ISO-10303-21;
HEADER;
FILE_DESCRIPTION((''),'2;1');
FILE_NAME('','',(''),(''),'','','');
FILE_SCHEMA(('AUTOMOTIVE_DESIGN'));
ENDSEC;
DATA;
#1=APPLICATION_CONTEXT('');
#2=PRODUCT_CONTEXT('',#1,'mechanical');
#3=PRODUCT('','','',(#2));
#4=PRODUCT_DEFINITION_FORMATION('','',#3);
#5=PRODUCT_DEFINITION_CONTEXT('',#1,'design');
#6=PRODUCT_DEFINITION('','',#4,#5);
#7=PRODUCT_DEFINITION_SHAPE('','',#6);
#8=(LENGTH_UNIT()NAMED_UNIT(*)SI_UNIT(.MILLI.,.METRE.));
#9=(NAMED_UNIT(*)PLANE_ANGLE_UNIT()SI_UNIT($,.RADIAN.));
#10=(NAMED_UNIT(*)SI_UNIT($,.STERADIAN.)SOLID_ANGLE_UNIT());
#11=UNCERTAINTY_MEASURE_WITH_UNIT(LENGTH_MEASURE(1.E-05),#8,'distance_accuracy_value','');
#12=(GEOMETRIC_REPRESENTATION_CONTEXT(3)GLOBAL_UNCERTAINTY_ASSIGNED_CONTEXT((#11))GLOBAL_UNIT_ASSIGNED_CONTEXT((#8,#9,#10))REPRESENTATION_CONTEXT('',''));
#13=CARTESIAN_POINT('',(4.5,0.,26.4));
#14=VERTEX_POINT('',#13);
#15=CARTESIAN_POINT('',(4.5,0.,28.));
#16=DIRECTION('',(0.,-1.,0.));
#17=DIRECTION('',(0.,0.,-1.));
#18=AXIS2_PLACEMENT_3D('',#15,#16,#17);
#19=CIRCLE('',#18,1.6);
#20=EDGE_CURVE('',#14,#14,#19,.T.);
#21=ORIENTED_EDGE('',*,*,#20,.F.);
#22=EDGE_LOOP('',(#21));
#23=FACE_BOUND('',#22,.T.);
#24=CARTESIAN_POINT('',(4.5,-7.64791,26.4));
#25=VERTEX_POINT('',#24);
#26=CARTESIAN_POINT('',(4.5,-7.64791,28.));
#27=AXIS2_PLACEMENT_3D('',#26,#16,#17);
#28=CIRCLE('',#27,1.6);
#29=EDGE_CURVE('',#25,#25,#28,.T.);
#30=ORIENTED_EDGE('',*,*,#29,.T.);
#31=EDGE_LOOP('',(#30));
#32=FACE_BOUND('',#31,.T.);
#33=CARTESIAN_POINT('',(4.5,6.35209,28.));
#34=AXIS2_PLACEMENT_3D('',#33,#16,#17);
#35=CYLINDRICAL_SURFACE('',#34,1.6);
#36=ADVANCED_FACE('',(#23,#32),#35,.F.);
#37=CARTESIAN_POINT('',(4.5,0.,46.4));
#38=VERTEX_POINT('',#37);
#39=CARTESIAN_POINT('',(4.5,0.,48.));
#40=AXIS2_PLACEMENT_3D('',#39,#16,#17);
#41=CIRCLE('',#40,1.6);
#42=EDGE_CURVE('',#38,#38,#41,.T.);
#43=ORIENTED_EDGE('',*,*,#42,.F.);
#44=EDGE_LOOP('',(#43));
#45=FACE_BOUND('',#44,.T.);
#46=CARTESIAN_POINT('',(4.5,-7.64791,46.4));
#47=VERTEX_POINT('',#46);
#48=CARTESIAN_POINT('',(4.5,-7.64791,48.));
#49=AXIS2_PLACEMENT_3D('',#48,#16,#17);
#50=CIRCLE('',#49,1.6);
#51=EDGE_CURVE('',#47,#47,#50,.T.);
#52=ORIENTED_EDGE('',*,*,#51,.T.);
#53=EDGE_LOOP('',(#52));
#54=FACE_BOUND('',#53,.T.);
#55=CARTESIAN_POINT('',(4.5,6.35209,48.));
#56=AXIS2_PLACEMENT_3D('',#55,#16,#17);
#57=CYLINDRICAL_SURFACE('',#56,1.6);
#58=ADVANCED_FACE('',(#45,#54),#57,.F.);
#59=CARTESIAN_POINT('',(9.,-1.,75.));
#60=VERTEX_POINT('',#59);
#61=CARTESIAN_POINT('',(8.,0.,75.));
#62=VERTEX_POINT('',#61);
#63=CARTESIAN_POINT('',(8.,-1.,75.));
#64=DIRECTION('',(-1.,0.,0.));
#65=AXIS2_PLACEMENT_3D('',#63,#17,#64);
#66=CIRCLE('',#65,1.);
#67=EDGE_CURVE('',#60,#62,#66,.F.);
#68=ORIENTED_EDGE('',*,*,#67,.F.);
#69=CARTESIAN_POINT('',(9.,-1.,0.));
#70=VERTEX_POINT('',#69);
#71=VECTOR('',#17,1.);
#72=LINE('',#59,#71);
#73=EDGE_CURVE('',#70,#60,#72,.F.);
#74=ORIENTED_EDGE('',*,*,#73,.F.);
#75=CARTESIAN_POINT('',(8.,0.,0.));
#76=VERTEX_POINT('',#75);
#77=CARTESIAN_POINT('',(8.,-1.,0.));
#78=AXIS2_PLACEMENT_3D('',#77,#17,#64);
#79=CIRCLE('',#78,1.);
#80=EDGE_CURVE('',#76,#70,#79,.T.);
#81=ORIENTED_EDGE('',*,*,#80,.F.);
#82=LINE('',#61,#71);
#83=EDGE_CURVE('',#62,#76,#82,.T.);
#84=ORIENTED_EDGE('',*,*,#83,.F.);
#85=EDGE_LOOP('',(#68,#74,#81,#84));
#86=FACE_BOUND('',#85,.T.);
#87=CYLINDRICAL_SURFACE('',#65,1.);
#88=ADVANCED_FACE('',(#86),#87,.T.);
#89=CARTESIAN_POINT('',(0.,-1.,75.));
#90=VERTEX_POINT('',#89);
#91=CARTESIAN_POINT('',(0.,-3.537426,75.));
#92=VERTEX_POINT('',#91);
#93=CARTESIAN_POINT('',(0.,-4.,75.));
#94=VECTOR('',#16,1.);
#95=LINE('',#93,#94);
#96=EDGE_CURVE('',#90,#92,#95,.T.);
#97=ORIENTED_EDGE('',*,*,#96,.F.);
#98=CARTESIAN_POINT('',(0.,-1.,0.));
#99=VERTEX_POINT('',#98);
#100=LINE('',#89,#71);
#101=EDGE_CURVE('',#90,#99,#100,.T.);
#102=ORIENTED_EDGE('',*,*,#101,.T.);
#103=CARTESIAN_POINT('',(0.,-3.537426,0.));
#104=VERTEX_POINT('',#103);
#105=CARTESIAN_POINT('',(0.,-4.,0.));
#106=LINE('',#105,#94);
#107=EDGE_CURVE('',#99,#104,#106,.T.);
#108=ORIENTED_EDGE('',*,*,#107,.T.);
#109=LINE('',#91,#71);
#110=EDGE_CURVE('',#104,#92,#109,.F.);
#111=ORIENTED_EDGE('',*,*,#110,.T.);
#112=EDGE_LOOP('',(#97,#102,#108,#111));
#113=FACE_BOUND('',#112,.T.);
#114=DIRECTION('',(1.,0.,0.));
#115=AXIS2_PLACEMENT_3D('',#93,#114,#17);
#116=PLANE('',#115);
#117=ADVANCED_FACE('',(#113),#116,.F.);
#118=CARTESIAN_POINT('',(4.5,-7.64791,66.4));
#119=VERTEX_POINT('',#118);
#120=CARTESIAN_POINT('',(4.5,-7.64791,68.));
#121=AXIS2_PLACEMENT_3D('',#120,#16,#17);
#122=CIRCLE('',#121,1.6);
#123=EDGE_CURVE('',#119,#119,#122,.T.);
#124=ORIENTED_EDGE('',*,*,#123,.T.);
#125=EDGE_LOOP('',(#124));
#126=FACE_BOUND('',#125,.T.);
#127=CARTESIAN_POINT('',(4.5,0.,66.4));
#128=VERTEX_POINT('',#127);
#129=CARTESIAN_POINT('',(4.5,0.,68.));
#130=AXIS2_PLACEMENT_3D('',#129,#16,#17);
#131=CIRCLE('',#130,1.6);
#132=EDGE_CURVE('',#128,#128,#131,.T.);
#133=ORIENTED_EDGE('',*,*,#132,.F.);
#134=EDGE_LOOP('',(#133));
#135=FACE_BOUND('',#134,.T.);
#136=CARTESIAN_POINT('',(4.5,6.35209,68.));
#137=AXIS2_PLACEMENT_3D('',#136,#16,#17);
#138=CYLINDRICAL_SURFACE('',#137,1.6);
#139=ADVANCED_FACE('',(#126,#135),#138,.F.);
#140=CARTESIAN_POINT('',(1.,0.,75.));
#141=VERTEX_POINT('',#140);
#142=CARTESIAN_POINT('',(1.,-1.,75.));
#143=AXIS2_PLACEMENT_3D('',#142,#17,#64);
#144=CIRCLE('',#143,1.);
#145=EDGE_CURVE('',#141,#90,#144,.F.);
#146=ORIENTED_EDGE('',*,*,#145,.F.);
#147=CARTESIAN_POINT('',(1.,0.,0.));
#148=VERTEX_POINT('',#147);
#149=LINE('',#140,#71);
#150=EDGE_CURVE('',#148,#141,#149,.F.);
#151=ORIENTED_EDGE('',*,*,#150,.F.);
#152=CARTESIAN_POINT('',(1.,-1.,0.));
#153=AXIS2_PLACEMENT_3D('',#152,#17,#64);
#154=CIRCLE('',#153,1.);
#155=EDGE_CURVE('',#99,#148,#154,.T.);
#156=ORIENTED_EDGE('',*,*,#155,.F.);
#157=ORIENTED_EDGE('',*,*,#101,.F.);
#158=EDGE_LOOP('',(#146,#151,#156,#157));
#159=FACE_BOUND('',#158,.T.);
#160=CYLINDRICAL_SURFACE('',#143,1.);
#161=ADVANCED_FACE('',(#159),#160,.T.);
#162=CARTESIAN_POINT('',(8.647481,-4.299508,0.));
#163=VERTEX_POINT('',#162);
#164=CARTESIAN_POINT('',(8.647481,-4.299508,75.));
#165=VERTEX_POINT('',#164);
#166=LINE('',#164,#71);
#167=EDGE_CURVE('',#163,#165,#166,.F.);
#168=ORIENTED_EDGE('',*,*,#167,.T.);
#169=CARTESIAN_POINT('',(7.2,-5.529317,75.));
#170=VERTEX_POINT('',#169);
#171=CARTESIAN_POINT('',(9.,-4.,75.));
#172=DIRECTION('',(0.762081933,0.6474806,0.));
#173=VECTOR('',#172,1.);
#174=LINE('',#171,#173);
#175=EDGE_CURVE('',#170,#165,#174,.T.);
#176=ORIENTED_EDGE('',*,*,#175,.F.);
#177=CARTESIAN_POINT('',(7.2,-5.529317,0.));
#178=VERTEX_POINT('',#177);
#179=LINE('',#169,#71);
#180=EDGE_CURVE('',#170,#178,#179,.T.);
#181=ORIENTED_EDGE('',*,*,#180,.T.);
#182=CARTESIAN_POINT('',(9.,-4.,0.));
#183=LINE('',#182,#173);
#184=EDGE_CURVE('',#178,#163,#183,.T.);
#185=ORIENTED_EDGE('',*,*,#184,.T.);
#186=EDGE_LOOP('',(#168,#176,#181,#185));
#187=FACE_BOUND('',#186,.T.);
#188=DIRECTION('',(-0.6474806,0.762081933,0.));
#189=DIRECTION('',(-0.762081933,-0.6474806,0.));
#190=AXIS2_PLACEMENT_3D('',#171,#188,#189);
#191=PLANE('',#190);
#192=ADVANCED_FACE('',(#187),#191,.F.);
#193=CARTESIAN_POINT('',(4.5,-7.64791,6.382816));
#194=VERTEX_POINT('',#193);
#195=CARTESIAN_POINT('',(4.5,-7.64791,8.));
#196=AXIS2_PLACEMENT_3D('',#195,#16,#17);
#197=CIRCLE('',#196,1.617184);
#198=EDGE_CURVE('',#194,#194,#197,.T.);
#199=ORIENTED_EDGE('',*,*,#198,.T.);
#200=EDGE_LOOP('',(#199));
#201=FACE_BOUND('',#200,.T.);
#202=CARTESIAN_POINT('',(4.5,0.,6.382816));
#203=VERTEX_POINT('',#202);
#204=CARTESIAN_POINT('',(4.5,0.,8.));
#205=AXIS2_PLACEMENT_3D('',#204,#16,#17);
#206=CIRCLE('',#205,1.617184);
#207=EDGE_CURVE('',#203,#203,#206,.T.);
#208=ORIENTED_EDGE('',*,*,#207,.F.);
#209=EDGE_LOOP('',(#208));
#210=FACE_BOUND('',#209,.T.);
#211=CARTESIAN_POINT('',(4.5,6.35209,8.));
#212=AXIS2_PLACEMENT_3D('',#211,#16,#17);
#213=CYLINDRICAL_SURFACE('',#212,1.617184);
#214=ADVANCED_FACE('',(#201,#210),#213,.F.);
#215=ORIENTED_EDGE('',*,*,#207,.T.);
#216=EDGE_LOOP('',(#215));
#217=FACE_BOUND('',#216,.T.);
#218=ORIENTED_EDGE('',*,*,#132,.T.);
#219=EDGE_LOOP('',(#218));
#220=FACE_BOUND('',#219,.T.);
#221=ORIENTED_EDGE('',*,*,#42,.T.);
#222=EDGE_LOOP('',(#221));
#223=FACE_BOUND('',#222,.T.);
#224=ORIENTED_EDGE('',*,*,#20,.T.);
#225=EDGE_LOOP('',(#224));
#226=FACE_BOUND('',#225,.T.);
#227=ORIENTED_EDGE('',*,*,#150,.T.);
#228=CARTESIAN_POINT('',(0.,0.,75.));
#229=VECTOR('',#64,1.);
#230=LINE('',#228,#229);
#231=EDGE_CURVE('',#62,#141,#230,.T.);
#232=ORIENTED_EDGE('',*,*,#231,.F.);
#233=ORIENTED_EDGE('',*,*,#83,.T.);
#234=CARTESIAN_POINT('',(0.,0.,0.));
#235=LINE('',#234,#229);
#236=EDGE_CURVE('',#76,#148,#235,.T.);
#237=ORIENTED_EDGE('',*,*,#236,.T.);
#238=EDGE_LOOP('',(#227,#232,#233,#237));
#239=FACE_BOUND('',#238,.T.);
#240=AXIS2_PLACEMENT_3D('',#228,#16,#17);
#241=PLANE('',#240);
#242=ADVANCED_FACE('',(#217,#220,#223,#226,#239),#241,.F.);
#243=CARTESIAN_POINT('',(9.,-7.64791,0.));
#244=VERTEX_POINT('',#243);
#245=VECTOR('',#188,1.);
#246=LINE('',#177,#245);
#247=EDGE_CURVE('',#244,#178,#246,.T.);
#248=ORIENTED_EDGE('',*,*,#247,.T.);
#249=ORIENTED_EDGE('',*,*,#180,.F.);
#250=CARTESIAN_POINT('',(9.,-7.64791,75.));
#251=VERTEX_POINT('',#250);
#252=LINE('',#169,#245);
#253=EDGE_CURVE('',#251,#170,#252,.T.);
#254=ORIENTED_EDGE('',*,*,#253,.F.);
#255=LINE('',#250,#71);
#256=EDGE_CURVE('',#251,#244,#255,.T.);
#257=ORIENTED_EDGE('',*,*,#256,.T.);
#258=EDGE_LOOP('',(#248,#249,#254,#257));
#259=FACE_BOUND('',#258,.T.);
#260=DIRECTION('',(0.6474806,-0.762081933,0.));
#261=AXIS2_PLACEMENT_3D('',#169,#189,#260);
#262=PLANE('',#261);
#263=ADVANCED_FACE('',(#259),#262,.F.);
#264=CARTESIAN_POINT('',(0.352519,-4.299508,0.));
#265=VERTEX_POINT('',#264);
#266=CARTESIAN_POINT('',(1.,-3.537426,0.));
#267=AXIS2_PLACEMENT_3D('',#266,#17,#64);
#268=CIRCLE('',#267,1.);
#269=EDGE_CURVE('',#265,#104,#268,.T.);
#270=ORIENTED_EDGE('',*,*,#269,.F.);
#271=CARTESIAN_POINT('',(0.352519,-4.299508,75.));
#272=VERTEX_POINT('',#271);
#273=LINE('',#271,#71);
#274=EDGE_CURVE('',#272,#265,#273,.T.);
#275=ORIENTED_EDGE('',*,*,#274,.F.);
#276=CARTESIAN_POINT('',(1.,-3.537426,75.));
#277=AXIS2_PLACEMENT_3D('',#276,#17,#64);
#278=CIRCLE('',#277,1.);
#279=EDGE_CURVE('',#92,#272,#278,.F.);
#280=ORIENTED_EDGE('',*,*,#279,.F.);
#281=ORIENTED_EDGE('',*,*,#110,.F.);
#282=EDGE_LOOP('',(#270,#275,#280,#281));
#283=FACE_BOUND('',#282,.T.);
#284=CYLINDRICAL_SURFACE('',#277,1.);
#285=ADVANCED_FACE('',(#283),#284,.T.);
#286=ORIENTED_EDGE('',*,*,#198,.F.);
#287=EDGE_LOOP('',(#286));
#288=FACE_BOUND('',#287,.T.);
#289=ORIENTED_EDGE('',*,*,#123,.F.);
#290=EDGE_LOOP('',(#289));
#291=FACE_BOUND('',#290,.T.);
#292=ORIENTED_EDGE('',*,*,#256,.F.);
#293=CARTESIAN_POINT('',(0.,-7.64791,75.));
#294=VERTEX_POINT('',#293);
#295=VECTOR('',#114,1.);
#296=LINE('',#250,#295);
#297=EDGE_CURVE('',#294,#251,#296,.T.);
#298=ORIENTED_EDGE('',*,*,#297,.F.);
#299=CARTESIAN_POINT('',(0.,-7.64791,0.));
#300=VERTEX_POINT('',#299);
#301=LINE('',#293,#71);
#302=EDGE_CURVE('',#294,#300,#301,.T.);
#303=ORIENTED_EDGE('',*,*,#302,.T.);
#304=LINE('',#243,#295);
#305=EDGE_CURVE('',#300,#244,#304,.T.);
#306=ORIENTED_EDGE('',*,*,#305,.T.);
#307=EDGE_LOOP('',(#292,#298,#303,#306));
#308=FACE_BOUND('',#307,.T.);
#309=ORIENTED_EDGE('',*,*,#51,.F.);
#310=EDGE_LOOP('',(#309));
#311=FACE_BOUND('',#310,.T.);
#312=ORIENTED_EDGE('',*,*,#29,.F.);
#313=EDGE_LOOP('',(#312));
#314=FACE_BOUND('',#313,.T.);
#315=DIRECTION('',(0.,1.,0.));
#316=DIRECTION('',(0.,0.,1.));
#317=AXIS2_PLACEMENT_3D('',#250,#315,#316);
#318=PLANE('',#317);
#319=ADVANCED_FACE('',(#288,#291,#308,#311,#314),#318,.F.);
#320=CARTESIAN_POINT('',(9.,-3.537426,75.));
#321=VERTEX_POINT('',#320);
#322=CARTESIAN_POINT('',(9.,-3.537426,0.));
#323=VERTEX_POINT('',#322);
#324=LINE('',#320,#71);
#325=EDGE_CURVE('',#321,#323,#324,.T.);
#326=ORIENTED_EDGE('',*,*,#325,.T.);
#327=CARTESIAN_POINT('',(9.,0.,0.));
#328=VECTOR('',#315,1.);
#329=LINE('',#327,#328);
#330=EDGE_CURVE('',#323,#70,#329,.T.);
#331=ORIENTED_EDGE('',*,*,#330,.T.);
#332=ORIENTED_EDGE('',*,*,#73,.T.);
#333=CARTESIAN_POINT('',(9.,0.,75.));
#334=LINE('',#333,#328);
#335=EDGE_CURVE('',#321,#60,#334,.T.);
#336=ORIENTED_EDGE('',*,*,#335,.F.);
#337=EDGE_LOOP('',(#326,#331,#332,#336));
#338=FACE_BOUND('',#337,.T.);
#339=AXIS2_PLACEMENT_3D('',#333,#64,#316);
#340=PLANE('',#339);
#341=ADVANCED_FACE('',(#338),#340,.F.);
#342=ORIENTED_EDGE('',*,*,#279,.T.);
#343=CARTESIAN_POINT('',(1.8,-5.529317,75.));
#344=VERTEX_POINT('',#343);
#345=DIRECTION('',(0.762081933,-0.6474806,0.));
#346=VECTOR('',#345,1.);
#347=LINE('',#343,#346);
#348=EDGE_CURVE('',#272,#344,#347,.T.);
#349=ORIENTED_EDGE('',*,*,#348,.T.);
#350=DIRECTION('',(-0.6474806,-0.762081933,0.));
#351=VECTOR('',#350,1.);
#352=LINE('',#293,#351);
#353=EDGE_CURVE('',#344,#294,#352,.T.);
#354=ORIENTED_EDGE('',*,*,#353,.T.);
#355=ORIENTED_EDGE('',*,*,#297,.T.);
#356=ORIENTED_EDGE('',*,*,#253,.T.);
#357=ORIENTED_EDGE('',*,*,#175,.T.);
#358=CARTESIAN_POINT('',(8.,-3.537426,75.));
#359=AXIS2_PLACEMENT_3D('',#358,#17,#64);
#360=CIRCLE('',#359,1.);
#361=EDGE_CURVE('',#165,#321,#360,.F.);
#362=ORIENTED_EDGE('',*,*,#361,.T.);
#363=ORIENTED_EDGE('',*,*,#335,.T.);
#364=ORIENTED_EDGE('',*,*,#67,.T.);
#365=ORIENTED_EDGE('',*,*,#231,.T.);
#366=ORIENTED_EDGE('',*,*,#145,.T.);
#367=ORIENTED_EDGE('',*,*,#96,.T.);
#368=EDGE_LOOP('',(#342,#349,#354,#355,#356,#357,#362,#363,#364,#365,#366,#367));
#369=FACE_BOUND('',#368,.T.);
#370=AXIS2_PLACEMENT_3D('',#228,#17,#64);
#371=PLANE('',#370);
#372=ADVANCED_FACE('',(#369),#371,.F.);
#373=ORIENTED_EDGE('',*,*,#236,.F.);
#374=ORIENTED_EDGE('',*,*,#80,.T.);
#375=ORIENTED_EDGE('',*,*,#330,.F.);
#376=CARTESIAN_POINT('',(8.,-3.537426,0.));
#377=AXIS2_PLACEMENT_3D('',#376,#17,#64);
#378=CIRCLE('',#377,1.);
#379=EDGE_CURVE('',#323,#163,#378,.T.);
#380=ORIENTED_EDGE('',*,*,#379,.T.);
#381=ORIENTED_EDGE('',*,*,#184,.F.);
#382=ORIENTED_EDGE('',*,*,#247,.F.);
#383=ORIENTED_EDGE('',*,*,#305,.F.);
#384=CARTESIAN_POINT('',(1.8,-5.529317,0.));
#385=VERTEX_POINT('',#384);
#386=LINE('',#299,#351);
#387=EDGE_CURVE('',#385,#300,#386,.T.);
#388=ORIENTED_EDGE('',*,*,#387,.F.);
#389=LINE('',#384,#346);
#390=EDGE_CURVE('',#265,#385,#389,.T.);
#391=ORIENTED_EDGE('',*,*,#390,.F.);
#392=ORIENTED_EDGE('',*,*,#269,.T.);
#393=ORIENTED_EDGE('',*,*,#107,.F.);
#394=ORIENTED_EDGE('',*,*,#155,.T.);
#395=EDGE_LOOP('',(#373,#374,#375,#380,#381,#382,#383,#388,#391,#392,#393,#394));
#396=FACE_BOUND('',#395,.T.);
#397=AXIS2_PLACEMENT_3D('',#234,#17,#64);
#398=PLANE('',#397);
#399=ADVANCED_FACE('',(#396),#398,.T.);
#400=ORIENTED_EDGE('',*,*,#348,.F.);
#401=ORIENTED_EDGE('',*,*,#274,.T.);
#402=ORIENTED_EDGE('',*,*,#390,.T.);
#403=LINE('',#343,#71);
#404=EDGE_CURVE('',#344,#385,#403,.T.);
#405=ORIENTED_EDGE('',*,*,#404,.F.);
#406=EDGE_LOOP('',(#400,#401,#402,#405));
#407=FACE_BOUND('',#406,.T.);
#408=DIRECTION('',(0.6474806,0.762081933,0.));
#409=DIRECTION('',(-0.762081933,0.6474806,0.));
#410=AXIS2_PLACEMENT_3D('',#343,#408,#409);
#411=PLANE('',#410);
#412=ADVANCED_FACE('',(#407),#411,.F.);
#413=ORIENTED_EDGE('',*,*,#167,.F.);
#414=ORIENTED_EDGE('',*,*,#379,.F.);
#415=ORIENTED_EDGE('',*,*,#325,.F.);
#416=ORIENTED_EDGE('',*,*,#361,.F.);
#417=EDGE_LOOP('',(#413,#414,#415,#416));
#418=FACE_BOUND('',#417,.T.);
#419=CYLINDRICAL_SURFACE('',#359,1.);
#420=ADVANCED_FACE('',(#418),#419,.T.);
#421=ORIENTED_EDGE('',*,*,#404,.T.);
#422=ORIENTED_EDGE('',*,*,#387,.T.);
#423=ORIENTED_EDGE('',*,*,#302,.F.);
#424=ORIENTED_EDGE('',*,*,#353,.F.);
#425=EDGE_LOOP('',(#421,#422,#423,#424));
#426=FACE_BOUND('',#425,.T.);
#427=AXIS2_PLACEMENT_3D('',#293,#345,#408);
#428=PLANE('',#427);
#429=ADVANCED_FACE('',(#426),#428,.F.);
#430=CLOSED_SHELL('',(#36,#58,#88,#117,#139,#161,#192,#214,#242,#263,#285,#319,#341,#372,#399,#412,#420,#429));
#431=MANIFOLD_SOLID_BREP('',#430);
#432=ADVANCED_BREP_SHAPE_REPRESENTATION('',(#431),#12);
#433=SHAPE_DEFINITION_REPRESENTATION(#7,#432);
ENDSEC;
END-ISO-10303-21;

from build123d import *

# Parameters (mm, degrees)
EXTRUDE_1_DEPTH     = 75
FILLET_1_R          = 1
FILLET_2_R          = 1
SKETCH_2_R          = 1.6
SKETCH_2_R_2        = 1.617183579
CUT_EXTRUDE_1_DEPTH = 14


with BuildPart() as part:
    # 草图1 → 凸台-拉伸1 (new body)
    with BuildSketch(Plane.XY):
        Polygon((0, 0), (9, 0), (9, -4), (7.2, -5.529317293), (9, -7.647909697), (0, -7.647909697), (1.8, -5.529317293), (0, -4), align=None)
    extrude(amount=EXTRUDE_1_DEPTH)

    # 圆角1
    fillet_1_edges = [part.edges().sort_by_distance(p)[0] for p in [
        (0, 0, 37.5),
        (9, 0, 37.5),
    ]]
    fillet(fillet_1_edges, radius=FILLET_1_R)

    # 圆角2
    fillet_2_edges = [part.edges().sort_by_distance(p)[0] for p in [
        (9, -4, 37.5),
        (0, -4, 37.5),
    ]]
    fillet(fillet_2_edges, radius=FILLET_2_R)

    # 草图2 → 切除-拉伸1 (cut)
    with BuildSketch(Plane.XZ.offset(7.647909697)):
        with Locations(Location((4.5, 68, 0), (0, 0, 270))):
            Circle(SKETCH_2_R)
        with Locations(Location((4.5, 48, 0), (0, 0, 270))):
            Circle(SKETCH_2_R)
        with Locations(Location((4.5, 28, 0), (0, 0, 270))):
            Circle(SKETCH_2_R)
        with Locations(Location((4.5, 8, 0), (0, 0, 270))):
            Circle(SKETCH_2_R_2)
    extrude(amount=-CUT_EXTRUDE_1_DEPTH, mode=Mode.SUBTRACT)


solid = part.part
